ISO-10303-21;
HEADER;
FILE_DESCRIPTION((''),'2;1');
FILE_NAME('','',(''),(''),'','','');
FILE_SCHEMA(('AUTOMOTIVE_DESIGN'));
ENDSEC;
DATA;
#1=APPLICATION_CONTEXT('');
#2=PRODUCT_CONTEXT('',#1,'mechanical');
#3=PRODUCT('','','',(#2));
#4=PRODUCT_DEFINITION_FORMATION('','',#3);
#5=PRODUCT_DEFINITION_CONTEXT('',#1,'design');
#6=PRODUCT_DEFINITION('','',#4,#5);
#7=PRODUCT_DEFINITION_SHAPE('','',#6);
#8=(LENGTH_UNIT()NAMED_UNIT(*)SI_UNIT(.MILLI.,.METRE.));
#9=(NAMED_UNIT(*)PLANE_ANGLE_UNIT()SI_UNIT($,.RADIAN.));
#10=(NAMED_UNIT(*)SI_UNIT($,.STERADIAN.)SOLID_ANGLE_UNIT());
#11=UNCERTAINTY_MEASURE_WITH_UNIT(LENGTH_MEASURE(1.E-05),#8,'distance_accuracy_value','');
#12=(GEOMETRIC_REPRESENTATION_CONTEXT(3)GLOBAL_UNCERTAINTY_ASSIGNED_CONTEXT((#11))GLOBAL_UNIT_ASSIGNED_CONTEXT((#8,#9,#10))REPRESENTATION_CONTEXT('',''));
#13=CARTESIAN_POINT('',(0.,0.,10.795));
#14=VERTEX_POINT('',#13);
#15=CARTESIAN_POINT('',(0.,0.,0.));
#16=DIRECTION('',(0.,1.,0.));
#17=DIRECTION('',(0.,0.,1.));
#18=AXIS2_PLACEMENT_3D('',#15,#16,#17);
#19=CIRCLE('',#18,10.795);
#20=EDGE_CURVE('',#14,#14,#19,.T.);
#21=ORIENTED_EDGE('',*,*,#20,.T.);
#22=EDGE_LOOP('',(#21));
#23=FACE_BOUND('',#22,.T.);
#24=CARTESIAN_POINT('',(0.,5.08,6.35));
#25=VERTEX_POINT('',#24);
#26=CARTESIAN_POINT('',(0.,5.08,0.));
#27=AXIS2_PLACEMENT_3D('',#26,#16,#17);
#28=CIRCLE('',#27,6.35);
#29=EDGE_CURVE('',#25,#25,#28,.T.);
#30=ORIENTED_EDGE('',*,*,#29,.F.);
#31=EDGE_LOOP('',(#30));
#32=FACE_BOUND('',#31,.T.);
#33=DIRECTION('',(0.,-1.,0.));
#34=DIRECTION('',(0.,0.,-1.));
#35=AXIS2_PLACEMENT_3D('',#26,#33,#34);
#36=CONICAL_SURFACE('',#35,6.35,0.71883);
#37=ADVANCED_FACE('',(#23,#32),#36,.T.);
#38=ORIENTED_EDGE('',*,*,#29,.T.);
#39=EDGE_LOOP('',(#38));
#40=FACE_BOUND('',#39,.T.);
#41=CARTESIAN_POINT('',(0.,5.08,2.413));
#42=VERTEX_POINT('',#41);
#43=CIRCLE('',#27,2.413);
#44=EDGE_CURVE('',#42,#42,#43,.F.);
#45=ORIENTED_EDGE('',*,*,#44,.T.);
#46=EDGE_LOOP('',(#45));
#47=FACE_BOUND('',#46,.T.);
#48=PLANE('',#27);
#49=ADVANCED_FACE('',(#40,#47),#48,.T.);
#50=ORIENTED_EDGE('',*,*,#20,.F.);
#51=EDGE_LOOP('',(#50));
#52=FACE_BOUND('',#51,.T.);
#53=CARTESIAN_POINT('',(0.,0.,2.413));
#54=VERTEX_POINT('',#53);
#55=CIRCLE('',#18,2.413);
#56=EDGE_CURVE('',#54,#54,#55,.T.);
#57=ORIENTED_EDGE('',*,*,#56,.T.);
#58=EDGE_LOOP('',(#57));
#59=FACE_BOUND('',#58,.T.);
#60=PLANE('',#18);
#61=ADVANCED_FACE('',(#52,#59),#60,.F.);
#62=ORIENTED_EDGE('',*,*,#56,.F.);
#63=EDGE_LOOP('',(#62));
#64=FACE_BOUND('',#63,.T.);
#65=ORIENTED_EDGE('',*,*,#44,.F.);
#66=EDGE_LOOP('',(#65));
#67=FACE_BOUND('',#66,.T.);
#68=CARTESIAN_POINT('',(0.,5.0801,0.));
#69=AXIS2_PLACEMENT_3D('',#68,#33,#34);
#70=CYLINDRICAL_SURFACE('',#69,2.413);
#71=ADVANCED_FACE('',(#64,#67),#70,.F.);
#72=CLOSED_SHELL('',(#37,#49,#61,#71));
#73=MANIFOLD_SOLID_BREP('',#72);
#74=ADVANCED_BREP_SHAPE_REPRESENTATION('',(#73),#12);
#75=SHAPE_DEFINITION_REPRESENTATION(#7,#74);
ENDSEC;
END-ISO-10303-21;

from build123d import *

# Parameters (mm, degrees)
SKETCH1_R          = 10.795
SKETCH2_R          = 6.35
SKETCH1_3_R        = 2.413
CUT_EXTRUDE1_DEPTH = 6.0800001


with BuildPart() as part:
    # Sketch1 → Loft1 section 0
    with BuildSketch(Plane(origin=(0, 0, 0), x_dir=(1, 0, 0), z_dir=(0, 1, 0))):
        Circle(SKETCH1_R)
    # Sketch2 → Loft1 section 1
    with BuildSketch(Plane(origin=(0, 5.08, 0), x_dir=(1, 0, 0), z_dir=(0, 1, 0))):
        Circle(SKETCH2_R)
    loft()

    # Sketch1<3> → Cut-Extrude1 (cut, through all)
    with BuildSketch(Plane(origin=(0, 0, 0), x_dir=(1, 0, 0), z_dir=(0, 1, 0))):
        Circle(SKETCH1_3_R)
    extrude(amount=CUT_EXTRUDE1_DEPTH, mode=Mode.SUBTRACT)


solid = part.part
